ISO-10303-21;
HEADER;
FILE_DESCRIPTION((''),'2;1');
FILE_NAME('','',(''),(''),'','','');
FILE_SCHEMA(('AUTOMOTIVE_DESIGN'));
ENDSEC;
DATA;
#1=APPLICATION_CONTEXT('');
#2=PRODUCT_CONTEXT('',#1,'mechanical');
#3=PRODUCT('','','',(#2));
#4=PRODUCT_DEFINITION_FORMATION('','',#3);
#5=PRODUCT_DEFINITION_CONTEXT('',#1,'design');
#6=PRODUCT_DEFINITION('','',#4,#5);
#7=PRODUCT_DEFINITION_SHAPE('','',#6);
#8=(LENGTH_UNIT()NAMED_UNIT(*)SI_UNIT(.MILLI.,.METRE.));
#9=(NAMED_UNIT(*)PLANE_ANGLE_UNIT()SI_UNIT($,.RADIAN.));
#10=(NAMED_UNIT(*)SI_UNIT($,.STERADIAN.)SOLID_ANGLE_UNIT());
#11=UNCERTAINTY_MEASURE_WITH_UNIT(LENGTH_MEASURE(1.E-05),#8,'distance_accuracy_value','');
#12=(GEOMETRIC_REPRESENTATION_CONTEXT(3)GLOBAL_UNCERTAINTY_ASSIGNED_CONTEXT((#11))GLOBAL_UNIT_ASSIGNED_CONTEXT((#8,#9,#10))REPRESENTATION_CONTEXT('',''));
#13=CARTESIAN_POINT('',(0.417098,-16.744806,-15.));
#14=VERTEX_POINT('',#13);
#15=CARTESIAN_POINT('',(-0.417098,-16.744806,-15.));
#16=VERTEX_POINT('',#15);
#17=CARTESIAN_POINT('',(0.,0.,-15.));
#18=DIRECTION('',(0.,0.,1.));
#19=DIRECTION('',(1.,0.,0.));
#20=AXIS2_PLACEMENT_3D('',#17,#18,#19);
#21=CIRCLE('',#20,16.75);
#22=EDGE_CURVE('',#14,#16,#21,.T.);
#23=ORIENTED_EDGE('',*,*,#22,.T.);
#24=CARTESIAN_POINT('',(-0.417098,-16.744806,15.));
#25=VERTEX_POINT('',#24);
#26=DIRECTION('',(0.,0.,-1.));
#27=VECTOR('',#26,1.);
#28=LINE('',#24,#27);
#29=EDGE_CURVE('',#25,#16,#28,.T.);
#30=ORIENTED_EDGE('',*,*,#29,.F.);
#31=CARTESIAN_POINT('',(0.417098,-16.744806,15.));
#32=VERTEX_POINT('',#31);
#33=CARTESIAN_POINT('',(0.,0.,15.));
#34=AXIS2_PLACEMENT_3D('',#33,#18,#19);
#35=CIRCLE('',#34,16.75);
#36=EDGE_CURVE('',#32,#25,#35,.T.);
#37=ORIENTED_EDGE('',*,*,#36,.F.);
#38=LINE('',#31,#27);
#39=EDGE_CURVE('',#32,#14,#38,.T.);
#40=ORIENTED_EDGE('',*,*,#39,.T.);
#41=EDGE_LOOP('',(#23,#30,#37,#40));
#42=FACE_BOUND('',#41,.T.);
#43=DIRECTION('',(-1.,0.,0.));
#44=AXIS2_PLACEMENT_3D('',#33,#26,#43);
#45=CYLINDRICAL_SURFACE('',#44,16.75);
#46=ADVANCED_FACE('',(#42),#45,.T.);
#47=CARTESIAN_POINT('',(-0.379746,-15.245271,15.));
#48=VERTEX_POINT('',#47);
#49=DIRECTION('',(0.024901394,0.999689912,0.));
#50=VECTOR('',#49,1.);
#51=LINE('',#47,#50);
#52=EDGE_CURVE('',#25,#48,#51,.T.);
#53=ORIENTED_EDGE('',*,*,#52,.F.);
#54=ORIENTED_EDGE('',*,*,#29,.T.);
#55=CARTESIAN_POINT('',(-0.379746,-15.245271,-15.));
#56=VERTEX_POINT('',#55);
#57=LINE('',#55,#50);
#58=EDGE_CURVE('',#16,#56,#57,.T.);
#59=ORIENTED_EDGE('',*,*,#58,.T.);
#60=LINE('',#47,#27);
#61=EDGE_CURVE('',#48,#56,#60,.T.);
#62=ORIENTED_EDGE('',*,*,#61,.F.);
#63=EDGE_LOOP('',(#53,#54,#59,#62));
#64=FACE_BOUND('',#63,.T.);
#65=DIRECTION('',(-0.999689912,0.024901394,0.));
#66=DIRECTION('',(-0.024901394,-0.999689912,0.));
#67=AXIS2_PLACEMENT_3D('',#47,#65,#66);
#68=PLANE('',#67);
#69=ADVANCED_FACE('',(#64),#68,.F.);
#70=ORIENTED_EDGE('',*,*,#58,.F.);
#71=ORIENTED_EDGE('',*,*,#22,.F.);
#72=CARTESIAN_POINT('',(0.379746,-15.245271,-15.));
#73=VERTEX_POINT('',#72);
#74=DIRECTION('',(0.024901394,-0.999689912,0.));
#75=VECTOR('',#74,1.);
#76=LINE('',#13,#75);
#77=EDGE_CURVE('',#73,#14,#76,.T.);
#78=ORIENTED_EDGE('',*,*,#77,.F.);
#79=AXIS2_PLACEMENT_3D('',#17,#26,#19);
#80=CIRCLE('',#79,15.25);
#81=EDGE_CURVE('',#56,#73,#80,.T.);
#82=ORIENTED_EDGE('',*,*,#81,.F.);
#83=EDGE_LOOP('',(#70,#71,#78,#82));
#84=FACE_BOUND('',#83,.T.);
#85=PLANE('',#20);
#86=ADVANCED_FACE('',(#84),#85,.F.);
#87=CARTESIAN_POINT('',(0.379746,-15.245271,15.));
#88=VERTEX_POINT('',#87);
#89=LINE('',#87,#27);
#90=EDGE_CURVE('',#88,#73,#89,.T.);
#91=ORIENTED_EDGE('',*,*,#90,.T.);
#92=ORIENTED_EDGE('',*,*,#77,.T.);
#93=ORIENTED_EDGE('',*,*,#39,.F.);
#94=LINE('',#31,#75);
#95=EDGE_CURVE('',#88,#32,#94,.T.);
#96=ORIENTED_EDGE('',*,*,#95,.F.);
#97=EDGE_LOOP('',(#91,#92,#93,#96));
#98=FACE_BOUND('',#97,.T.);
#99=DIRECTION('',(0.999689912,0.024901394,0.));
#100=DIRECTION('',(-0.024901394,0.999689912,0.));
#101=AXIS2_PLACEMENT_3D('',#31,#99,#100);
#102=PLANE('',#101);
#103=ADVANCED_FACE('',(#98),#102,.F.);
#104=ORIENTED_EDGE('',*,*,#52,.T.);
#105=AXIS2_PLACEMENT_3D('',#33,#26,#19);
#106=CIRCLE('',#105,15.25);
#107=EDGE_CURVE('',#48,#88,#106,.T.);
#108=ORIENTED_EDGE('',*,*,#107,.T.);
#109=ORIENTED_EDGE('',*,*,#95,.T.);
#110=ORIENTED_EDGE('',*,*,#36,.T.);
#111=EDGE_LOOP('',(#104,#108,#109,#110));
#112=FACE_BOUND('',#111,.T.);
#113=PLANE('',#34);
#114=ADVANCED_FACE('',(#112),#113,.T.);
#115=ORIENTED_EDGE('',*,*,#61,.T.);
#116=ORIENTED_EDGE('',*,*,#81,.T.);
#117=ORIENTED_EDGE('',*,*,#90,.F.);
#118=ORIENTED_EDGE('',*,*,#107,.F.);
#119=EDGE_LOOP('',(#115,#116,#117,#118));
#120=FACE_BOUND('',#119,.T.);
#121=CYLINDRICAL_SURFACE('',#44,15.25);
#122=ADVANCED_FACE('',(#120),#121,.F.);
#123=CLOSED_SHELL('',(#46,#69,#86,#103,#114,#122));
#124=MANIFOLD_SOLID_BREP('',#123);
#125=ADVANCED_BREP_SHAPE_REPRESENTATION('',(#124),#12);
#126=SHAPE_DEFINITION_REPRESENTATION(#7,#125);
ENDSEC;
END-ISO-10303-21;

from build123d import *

# Parameters (mm, degrees)
BOSS_EXTRUDE1_DEPTH = 15


with BuildPart() as part:
    # Sketch1 → Boss-Extrude1 (new body, symmetric)
    with BuildSketch(Plane.XY):
        with BuildLine():
            Line((-0.379746263, -15.245271161), (-0.417098355, -16.744806029))
            ThreePointArc((-0.417098355, -16.744806029), (0, 16.75), (0.417098355, -16.744806029))
            Line((0.417098355, -16.744806029), (0.379746263, -15.245271161))
            ThreePointArc((0.379746263, -15.245271161), (0, 15.25), (-0.379746263, -15.245271161))
        make_face()
    extrude(amount=BOSS_EXTRUDE1_DEPTH, both=True)


solid = part.part
